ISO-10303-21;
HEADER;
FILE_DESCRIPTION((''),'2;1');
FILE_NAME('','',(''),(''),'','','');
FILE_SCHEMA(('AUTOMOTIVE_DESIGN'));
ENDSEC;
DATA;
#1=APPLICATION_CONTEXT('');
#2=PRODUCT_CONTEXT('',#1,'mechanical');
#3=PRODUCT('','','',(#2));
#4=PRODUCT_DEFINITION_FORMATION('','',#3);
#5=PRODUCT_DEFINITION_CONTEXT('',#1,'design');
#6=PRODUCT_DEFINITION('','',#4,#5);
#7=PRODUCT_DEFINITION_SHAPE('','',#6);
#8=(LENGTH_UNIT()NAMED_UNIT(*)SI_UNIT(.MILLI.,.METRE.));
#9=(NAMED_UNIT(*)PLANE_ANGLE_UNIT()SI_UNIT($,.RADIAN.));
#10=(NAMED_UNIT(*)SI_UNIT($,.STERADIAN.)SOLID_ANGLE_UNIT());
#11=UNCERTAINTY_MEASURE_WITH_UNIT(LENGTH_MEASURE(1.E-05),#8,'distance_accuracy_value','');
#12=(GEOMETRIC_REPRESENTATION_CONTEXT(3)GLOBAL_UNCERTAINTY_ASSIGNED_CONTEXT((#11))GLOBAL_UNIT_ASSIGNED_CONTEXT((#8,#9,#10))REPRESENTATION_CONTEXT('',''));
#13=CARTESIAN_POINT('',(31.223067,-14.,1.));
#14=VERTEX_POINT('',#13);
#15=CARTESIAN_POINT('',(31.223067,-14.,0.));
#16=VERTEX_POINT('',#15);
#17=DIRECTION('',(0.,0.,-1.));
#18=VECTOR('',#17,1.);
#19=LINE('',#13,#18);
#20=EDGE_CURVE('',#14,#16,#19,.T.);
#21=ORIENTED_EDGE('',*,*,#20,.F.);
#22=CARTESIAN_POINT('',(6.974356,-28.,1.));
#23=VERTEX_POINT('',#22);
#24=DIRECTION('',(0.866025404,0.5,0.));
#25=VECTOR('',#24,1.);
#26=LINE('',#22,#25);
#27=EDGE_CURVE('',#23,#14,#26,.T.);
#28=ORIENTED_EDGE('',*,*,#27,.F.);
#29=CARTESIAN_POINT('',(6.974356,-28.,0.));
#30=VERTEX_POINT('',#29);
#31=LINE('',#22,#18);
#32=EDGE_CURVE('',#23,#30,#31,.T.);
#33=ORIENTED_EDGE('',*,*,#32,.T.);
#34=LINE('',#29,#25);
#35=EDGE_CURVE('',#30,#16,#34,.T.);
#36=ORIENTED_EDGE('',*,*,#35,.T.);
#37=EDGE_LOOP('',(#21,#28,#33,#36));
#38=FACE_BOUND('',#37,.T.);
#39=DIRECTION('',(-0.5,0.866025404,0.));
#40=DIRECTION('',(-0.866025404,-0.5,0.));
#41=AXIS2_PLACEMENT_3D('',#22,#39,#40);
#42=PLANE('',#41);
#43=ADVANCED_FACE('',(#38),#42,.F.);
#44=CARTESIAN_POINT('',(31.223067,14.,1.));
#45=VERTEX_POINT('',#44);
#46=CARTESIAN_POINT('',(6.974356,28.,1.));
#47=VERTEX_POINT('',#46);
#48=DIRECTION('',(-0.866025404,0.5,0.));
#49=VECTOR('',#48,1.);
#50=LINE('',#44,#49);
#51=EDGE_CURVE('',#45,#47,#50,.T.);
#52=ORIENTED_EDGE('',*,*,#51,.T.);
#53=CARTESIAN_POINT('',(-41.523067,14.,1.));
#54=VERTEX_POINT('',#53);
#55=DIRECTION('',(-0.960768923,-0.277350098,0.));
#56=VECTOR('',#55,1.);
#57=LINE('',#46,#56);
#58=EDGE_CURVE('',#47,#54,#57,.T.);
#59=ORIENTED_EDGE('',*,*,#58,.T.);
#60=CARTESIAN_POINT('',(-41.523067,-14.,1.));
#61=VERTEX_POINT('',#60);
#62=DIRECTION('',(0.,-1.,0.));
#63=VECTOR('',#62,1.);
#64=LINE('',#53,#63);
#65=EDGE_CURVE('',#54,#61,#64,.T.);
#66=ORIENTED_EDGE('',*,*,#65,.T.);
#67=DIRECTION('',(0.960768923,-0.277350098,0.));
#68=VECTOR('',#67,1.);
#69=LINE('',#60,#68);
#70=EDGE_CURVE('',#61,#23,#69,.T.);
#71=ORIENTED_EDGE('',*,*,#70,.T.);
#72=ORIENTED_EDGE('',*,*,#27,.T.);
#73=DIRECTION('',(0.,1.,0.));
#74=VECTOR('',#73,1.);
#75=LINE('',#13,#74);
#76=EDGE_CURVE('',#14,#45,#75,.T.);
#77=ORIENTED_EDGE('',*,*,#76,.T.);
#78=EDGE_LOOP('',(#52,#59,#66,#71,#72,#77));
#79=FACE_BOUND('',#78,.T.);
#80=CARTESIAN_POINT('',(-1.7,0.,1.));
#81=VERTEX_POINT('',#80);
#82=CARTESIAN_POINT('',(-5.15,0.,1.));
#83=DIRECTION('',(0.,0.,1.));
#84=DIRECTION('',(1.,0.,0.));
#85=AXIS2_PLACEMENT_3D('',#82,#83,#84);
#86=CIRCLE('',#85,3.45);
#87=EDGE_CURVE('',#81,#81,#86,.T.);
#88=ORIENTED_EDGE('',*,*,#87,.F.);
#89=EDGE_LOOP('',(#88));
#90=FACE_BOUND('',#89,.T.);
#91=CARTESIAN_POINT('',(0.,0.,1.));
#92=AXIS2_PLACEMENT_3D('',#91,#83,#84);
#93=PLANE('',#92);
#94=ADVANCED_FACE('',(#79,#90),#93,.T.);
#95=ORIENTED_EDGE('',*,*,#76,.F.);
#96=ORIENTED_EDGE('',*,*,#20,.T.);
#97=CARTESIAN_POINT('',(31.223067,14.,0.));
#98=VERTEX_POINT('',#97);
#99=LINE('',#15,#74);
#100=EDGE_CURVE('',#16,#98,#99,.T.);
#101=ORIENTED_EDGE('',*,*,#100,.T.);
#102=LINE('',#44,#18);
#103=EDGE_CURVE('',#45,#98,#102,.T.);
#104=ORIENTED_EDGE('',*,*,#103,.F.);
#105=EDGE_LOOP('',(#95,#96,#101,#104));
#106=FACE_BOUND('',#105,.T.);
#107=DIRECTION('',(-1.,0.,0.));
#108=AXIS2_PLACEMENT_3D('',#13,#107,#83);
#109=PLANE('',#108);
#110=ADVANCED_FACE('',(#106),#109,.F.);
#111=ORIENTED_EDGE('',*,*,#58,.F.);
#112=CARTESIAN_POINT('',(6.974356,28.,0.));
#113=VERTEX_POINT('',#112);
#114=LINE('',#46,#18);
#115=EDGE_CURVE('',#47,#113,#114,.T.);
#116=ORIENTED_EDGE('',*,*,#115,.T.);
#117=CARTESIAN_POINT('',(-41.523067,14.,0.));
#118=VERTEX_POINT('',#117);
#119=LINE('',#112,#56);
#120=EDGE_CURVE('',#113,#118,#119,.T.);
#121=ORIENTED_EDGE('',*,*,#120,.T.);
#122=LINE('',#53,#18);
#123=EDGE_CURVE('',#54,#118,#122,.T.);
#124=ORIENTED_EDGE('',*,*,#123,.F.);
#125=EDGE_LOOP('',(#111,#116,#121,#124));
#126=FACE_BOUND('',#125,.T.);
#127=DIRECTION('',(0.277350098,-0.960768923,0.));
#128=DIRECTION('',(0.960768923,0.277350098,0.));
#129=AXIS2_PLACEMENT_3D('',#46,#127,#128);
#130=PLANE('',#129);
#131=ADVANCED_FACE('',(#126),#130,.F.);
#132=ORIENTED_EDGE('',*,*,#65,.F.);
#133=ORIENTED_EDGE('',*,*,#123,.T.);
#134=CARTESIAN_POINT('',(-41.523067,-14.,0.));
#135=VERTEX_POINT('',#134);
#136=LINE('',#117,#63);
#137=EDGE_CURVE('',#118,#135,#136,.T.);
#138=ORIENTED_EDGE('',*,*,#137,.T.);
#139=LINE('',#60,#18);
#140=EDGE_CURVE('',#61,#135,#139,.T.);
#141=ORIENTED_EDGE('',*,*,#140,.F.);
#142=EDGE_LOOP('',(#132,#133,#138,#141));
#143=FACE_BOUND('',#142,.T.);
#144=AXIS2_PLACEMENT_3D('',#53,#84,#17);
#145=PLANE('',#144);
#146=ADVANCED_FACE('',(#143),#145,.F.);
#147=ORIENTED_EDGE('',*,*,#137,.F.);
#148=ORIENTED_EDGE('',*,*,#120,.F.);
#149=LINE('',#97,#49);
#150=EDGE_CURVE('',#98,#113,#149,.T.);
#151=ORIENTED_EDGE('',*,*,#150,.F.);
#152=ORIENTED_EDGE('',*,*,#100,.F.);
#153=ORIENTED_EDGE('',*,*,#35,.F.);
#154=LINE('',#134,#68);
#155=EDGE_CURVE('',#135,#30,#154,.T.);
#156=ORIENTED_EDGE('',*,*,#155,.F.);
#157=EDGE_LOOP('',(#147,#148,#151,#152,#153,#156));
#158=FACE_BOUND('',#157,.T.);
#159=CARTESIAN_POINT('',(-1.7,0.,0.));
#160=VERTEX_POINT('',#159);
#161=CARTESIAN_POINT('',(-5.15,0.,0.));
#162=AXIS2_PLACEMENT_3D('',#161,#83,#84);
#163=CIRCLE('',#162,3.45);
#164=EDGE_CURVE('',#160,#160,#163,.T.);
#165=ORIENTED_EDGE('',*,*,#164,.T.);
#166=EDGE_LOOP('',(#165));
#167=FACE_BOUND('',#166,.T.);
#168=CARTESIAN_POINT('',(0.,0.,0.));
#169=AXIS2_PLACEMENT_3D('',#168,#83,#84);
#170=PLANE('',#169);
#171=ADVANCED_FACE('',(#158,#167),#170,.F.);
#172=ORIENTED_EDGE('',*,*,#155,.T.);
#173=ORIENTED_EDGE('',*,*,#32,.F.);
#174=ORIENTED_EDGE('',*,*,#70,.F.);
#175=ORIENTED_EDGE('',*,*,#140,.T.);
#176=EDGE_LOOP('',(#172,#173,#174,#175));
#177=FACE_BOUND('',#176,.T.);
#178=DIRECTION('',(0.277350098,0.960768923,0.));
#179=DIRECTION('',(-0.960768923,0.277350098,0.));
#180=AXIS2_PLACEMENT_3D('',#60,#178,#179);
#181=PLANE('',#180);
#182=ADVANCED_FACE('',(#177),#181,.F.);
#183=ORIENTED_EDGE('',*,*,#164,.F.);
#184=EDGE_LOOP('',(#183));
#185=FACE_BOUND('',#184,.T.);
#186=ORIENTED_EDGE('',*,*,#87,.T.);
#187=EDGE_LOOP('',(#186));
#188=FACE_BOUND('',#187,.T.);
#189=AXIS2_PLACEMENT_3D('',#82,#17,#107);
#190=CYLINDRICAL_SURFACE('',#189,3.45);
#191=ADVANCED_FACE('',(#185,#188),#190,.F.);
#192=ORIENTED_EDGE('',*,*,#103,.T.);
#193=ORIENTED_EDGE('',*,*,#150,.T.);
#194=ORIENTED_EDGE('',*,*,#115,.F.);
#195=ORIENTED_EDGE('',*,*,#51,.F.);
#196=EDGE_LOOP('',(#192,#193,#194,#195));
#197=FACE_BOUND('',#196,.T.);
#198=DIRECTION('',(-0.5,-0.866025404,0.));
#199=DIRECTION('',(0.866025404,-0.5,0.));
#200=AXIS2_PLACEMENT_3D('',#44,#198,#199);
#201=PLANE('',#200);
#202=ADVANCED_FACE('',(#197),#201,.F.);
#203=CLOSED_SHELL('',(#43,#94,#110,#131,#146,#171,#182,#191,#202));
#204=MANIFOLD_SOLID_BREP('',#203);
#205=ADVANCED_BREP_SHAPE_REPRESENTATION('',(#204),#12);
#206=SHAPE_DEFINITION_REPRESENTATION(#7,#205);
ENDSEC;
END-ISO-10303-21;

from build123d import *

# Parameters (mm, degrees)
SKETCH1_R           = 3.45
BOSS_EXTRUDE1_DEPTH = 1


with BuildPart() as part:
    # Sketch1 → Boss-Extrude1 (new body)
    with BuildSketch(Plane.XY):
        Polygon((-41.523066959, -14), (6.974355653, -28), (31.223066959, -14), (31.223066959, 14), (6.974355653, 28), (-41.523066959, 14), align=None)
        with Locations((-5.15, 0)):
            Circle(SKETCH1_R, mode=Mode.SUBTRACT)
    extrude(amount=BOSS_EXTRUDE1_DEPTH)


solid = part.part
